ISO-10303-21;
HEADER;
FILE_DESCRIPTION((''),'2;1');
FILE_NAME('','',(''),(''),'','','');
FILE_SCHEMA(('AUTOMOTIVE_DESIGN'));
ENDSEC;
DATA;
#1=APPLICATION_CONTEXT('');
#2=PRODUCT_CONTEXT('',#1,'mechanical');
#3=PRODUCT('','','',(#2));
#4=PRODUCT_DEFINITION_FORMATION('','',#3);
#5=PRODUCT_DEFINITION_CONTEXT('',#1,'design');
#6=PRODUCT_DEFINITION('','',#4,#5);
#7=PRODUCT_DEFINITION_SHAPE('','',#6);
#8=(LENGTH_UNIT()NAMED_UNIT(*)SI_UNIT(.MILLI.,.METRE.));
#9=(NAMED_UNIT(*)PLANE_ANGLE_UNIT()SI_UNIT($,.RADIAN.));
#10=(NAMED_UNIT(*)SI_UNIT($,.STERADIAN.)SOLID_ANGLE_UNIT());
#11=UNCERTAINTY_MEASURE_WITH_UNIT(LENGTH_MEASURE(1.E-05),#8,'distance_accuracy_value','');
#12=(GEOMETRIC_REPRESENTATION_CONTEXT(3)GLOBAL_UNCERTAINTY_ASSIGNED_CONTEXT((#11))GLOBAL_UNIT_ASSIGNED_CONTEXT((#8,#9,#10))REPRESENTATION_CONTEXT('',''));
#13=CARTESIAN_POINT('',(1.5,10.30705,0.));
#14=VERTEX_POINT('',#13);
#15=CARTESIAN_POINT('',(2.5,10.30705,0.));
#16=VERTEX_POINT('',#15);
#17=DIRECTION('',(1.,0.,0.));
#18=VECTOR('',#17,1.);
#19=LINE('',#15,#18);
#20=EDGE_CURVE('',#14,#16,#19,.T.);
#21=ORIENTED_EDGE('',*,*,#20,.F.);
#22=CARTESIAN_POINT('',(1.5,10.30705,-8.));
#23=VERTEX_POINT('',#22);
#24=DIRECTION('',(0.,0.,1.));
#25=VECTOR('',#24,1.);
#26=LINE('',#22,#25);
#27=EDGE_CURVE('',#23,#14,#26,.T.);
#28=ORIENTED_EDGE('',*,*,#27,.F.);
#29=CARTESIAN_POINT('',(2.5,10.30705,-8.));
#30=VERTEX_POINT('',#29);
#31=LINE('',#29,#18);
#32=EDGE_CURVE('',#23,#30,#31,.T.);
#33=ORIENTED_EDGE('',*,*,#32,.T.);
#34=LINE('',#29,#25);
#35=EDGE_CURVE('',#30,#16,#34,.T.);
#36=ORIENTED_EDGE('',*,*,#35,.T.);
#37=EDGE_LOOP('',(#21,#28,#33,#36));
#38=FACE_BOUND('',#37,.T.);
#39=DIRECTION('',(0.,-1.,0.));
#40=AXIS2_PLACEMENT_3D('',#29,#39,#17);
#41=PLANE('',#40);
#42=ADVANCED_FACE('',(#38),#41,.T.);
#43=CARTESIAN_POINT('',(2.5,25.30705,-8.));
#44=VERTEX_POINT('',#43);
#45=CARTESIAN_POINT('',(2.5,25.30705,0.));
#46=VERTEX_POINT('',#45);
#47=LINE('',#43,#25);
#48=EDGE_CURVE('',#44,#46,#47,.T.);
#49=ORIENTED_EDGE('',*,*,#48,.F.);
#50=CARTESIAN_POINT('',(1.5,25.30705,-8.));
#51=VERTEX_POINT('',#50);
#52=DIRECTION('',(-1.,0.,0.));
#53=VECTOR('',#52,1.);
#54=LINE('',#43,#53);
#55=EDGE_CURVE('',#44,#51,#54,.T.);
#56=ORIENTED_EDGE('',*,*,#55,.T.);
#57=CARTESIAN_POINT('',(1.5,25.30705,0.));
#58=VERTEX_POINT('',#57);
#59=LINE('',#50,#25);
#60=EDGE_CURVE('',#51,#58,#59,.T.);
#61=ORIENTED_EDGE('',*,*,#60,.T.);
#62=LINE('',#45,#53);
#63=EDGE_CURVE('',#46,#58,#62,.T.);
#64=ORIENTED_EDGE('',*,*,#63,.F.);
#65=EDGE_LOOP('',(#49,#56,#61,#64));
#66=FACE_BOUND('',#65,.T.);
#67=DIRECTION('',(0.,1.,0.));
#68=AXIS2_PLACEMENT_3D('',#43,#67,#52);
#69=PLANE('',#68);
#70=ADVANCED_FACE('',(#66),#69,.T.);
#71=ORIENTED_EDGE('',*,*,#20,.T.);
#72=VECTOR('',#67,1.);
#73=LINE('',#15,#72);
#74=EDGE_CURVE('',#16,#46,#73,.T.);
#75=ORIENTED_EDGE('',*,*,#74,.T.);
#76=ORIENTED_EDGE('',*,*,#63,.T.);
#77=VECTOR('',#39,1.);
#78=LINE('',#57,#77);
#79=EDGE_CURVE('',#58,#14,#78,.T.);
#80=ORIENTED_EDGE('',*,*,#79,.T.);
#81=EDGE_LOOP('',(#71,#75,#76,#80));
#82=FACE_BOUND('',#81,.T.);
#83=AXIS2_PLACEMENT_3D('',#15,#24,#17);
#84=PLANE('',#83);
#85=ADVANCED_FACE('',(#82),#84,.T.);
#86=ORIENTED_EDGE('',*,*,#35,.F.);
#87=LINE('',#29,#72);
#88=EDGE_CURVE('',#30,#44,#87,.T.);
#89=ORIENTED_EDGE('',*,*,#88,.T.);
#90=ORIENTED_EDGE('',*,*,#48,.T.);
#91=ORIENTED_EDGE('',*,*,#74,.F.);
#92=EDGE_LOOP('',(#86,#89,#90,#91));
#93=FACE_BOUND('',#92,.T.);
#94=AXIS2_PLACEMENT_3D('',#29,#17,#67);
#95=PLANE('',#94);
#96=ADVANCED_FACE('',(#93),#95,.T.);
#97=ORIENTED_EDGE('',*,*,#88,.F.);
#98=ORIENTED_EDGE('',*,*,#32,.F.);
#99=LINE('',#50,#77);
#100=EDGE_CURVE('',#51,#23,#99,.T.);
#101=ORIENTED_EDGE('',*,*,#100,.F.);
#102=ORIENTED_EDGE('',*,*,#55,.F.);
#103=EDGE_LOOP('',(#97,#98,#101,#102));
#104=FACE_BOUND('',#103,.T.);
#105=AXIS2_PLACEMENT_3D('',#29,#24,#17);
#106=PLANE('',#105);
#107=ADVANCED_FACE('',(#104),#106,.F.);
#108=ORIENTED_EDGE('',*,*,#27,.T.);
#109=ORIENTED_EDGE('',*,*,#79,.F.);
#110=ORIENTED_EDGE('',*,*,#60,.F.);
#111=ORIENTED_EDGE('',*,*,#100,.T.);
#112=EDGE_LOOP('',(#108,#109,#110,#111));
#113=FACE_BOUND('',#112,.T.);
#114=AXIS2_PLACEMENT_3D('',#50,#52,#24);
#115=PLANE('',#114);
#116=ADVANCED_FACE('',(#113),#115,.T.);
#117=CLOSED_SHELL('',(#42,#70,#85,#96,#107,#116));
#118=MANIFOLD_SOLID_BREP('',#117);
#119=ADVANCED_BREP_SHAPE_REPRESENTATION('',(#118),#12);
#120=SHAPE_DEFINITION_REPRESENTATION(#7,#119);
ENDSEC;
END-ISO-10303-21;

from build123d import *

# Parameters (mm, degrees)
ESQUISSE1_W      = 1
ESQUISSE1_H      = 15
EXTRUSION1_DEPTH = 8


with BuildPart() as part:
    # Esquisse1 → Extrusion1 (new body)
    with BuildSketch(Plane.XY):
        with Locations((2, 17.807050033)):
            Rectangle(ESQUISSE1_W, ESQUISSE1_H)
    extrude(amount=-EXTRUSION1_DEPTH)


solid = part.part
